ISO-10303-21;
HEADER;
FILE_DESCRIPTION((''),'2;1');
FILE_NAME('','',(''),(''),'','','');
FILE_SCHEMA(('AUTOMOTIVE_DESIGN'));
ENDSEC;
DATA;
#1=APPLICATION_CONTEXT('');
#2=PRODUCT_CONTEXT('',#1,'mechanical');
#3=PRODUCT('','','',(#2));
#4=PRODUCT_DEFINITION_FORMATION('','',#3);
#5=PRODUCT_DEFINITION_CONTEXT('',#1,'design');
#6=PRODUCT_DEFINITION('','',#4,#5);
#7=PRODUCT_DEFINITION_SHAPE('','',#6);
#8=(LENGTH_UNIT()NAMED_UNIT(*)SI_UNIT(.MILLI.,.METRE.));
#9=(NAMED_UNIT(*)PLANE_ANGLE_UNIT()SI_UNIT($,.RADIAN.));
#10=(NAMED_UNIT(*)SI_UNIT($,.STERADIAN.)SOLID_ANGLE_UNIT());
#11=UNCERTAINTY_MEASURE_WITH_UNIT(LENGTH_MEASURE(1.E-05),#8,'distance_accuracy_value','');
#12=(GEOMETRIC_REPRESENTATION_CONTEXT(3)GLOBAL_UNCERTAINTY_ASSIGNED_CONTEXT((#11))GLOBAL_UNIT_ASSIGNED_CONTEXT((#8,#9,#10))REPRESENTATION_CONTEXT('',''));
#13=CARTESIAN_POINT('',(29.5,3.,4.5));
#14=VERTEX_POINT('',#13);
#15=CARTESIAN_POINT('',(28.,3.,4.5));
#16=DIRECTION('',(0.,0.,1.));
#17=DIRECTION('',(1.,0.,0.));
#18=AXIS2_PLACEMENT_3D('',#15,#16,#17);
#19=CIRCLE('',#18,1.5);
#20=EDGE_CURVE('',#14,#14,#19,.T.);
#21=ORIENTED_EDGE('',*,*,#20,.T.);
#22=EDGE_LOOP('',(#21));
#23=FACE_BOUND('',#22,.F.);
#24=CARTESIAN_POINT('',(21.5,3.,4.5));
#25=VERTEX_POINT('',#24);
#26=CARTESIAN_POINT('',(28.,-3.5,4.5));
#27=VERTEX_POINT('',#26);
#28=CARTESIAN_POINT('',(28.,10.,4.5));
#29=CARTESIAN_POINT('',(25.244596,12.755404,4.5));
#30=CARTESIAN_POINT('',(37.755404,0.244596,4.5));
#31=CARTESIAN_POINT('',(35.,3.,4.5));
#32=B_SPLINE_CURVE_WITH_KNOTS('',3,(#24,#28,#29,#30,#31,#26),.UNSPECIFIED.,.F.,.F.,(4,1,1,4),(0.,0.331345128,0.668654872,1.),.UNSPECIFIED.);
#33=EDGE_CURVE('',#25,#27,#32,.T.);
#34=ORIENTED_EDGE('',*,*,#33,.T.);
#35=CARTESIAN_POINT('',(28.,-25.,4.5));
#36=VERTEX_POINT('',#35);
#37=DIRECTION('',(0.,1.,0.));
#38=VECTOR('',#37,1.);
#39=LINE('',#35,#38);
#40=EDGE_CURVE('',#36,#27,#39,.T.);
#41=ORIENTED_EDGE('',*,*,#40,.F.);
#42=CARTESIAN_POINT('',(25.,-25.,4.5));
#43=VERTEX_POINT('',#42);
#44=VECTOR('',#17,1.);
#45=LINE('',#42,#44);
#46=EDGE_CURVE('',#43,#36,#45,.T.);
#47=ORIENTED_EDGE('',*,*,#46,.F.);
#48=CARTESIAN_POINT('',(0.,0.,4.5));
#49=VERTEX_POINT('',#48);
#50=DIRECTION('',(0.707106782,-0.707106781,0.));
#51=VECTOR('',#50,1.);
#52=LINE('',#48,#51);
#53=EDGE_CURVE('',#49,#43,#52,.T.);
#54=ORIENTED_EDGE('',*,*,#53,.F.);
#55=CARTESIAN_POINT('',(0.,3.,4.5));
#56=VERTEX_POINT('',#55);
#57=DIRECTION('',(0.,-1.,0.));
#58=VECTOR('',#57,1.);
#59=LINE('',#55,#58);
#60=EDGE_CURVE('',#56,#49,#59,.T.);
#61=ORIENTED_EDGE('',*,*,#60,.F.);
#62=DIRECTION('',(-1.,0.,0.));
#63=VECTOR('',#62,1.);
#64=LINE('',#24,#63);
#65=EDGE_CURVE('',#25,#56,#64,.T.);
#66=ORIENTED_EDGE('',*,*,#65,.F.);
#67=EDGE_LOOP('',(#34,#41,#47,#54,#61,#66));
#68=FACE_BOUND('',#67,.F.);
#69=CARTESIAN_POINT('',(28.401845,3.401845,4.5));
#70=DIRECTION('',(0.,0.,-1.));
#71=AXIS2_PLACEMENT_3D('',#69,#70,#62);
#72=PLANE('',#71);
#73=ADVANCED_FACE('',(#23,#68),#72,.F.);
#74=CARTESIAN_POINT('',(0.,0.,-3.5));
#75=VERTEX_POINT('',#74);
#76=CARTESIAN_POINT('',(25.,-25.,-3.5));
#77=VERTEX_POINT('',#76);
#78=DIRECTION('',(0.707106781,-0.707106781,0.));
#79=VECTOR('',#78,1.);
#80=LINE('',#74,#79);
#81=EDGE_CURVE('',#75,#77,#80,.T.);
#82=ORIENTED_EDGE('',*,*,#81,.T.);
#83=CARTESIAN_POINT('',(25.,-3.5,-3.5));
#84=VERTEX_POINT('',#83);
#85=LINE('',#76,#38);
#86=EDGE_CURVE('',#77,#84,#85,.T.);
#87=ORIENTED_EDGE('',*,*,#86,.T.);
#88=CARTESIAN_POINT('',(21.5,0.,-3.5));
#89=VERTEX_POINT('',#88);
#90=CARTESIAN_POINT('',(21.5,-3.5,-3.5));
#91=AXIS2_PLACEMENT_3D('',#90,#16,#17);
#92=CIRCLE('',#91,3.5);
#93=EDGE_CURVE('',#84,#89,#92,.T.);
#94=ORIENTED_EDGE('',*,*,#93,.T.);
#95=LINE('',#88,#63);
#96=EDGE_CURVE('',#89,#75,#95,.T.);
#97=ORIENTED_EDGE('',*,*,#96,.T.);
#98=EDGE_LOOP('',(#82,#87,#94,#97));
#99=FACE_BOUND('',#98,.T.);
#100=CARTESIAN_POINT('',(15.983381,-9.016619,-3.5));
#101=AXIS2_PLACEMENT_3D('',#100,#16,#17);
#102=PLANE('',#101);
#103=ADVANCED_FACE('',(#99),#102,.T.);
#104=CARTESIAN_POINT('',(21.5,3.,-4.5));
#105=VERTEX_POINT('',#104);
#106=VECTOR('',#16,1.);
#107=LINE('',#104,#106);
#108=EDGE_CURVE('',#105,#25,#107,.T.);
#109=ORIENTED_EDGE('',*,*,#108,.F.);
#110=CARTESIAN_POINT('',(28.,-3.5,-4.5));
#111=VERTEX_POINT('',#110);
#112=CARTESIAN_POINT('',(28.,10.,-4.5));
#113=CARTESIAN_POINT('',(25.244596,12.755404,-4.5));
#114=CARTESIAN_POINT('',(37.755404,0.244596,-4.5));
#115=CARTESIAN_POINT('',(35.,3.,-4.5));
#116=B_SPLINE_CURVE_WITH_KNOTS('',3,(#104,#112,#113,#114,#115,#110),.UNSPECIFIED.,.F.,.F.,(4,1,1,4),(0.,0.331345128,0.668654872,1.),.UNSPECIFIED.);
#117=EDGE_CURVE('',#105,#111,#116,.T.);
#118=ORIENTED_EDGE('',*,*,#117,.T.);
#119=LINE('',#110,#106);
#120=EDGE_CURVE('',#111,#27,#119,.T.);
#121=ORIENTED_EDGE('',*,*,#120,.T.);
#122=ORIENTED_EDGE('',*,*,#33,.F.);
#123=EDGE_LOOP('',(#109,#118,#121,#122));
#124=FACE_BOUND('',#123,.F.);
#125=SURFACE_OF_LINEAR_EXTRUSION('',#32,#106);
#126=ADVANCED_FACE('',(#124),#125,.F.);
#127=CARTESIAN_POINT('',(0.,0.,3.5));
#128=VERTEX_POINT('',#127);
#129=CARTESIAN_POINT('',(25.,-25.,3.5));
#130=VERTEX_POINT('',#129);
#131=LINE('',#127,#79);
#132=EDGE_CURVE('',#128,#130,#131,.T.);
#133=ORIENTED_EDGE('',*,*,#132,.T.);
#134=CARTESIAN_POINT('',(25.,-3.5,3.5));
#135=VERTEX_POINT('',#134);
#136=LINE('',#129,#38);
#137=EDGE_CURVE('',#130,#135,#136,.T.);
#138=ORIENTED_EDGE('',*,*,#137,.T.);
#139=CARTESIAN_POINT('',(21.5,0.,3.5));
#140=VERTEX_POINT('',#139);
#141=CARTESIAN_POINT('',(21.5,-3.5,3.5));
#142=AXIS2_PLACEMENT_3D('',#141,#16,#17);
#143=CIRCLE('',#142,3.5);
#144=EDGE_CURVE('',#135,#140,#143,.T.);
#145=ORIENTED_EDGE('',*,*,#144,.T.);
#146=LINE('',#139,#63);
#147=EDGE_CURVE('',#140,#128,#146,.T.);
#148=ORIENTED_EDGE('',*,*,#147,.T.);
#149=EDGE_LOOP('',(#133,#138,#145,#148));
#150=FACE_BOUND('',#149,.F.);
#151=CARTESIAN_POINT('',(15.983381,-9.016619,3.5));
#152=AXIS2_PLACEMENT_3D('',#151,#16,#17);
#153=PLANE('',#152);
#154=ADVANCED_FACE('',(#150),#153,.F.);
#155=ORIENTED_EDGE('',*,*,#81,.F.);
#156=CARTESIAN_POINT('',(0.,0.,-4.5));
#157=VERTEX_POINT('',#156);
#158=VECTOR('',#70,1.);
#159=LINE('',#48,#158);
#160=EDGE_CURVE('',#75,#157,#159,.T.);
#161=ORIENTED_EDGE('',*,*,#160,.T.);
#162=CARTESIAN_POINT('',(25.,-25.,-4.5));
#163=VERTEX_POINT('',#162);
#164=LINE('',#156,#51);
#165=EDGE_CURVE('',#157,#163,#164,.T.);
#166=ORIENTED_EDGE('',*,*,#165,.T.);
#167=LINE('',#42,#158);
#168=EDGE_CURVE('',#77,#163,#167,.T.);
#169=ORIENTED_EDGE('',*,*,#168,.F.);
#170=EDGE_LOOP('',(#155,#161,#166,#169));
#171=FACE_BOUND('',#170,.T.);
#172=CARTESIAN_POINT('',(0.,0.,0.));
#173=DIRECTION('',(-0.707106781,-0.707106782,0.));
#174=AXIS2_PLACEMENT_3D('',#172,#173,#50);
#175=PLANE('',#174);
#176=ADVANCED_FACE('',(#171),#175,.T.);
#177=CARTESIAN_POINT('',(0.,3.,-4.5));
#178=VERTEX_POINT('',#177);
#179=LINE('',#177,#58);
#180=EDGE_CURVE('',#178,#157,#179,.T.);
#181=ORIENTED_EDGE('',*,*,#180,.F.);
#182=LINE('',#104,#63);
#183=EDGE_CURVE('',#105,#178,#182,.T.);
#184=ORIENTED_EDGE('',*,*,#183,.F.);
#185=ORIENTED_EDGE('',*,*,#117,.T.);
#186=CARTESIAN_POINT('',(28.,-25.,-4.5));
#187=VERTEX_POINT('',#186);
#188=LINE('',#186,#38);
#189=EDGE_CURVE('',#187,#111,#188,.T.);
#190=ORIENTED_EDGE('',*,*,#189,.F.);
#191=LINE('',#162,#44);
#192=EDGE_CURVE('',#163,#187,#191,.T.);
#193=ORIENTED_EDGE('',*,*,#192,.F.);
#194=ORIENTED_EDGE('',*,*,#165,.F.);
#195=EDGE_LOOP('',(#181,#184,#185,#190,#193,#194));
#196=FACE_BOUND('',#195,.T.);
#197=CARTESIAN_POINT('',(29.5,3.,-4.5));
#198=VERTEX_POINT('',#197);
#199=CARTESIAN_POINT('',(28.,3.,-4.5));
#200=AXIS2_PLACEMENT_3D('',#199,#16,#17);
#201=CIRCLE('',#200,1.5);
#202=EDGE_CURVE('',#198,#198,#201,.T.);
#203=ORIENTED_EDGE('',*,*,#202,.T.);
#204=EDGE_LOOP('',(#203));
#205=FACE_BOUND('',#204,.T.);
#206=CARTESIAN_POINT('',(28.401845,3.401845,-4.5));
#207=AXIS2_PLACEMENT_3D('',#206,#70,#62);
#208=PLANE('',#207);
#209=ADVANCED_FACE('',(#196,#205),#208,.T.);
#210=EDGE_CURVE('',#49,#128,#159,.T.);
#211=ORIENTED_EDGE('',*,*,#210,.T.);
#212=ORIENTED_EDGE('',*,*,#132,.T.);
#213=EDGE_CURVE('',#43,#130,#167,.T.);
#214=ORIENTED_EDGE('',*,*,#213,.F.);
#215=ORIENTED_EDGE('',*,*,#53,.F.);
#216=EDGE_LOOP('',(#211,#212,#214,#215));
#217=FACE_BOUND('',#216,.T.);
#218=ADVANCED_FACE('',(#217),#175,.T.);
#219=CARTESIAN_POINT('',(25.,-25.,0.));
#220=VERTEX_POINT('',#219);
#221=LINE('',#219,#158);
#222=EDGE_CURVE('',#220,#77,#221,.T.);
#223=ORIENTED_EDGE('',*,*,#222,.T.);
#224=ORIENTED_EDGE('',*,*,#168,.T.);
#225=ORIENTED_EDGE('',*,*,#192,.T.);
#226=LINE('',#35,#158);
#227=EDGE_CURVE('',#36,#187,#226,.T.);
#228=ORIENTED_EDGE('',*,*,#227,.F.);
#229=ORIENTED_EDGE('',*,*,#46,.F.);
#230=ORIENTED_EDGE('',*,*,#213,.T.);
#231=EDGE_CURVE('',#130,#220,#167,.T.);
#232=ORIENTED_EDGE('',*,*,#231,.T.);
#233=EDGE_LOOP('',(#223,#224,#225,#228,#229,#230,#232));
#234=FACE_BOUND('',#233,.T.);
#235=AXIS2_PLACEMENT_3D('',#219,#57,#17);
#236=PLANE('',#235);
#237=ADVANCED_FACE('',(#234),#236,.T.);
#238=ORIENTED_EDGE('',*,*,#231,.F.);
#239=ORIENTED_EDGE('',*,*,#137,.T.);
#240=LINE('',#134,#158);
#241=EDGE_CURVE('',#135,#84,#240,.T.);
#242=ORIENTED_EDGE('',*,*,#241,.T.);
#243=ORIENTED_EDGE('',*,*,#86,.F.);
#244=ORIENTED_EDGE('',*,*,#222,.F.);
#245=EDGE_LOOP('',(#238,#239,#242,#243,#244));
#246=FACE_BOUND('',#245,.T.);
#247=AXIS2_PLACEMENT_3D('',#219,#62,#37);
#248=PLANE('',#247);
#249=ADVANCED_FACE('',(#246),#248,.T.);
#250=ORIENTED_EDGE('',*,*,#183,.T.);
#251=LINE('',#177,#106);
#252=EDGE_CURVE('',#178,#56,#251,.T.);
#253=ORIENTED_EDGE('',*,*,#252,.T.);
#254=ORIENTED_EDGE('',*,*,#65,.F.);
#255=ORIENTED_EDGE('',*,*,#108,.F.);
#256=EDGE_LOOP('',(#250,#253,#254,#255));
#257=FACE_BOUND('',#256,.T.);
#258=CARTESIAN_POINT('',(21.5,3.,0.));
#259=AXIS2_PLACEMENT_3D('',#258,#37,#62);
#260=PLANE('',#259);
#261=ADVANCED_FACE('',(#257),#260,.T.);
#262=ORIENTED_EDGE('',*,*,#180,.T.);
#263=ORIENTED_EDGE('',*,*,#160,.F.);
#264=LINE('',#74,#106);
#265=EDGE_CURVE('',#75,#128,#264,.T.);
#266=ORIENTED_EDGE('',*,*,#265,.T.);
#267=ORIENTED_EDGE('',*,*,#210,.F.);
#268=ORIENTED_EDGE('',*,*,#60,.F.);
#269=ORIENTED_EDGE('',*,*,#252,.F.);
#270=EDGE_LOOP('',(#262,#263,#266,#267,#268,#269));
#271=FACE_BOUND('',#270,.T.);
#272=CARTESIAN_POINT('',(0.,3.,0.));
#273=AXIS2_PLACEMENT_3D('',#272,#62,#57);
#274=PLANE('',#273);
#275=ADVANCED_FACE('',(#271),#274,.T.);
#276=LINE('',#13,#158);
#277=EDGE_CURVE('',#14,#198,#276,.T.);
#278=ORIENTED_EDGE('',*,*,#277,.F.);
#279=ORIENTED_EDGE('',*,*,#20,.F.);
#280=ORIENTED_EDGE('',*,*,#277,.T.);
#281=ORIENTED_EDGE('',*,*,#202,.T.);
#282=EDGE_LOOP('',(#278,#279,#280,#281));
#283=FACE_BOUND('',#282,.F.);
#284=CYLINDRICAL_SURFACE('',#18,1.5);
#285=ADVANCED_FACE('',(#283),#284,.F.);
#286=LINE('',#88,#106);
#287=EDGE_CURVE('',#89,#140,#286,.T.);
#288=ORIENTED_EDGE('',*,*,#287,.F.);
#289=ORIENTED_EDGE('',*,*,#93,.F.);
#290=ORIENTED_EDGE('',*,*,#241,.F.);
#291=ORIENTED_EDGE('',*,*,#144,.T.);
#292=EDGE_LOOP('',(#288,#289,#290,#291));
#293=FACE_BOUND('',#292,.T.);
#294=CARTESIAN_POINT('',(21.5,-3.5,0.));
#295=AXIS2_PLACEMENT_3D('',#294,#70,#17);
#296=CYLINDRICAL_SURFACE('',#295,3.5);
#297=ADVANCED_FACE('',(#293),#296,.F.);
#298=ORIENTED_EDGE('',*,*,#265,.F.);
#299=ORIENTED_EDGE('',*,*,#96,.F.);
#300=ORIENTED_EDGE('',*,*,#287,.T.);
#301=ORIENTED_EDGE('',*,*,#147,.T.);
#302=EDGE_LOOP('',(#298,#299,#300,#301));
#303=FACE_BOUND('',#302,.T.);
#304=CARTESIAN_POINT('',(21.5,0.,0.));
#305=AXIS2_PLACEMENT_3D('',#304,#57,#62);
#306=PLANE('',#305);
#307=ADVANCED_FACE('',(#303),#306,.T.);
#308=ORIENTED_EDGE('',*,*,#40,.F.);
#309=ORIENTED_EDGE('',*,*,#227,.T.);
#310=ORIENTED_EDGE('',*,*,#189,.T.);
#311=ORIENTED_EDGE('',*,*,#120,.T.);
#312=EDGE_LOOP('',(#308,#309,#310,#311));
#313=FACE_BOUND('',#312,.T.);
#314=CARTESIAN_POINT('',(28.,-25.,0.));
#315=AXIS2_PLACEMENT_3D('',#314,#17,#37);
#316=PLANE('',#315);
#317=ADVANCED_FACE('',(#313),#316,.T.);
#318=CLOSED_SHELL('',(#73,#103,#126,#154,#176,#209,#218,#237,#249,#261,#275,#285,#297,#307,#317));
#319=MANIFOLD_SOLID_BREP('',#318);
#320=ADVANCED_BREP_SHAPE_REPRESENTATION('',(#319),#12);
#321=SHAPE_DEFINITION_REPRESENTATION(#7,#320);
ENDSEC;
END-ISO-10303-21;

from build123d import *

# Parameters (mm, degrees)
F2_DEPTH      = 4.5
F2_DEPTH_BACK = 4.5
F3_DEPTH      = 3.5
F3_DEPTH_BACK = 3.5
F4_R          = 1.5
F5_DEPTH      = 9


with BuildPart() as f2:
    # F1 (on face) → F2 (new body, two sides)
    with BuildSketch(Plane.XY) as f2_sk:
        with BuildLine():
            Line((28.0000000261, -25), (28.0000000261, -3.5))
            ThreePointArc((28.0000000261, -3.5), (26.0961940962, 1.0961940962), (21.5, 3.0000000261))
            Line((21.5, 3.0000000261), (0, 3.0000000261))
            Line((0, 3.0000000261), (0, 0))
            Line((0, 0), (25.0000000261, -25))
            Line((25.0000000261, -25), (28.0000000261, -25))
        make_face()
    extrude(amount=F2_DEPTH)
    extrude(f2_sk.sketch, amount=-F2_DEPTH_BACK)

    # F0 (on Top) → F3 (cut, two sides)
    with BuildSketch(Plane.XY) as f3_sk:
        with BuildLine():
            Line((21.5, 0), (0, 0))
            Line((0, 0), (25, -25))
            Line((25, -25), (25, -3.5))
            ThreePointArc((25, -3.5), (23.9748737342, -1.0251262658), (21.5, 0))
        make_face()
    extrude(amount=-F3_DEPTH, mode=Mode.SUBTRACT)
    extrude(f3_sk.sketch, amount=F3_DEPTH_BACK, mode=Mode.SUBTRACT)

    # F4 (on face) → F5 (join, through all)
    with BuildSketch(Plane.XY.offset(4.5)):
        with BuildLine():
            add(Edge.make_bspline(
                [(21.5, 3.0000000261), (28.0000000261, 10), (25.244596364, 12.7554036621), (37.7554036621, 0.244596364), (35, 3.0000000261), (28.0000000261, -3.5)],
                knots=[0, 0, 0, 0, 0.3313451275, 0.6686548725, 1, 1, 1, 1], degree=3))
            ThreePointArc((21.5, 3.0000000261), (26.0961940962, 1.0961940962), (28.0000000261, -3.5))
        make_face()
        with Locations((28.0000000261, 3.0000000261)):
            Circle(F4_R, mode=Mode.SUBTRACT)
    extrude(amount=-F5_DEPTH)


solid = f2.part
